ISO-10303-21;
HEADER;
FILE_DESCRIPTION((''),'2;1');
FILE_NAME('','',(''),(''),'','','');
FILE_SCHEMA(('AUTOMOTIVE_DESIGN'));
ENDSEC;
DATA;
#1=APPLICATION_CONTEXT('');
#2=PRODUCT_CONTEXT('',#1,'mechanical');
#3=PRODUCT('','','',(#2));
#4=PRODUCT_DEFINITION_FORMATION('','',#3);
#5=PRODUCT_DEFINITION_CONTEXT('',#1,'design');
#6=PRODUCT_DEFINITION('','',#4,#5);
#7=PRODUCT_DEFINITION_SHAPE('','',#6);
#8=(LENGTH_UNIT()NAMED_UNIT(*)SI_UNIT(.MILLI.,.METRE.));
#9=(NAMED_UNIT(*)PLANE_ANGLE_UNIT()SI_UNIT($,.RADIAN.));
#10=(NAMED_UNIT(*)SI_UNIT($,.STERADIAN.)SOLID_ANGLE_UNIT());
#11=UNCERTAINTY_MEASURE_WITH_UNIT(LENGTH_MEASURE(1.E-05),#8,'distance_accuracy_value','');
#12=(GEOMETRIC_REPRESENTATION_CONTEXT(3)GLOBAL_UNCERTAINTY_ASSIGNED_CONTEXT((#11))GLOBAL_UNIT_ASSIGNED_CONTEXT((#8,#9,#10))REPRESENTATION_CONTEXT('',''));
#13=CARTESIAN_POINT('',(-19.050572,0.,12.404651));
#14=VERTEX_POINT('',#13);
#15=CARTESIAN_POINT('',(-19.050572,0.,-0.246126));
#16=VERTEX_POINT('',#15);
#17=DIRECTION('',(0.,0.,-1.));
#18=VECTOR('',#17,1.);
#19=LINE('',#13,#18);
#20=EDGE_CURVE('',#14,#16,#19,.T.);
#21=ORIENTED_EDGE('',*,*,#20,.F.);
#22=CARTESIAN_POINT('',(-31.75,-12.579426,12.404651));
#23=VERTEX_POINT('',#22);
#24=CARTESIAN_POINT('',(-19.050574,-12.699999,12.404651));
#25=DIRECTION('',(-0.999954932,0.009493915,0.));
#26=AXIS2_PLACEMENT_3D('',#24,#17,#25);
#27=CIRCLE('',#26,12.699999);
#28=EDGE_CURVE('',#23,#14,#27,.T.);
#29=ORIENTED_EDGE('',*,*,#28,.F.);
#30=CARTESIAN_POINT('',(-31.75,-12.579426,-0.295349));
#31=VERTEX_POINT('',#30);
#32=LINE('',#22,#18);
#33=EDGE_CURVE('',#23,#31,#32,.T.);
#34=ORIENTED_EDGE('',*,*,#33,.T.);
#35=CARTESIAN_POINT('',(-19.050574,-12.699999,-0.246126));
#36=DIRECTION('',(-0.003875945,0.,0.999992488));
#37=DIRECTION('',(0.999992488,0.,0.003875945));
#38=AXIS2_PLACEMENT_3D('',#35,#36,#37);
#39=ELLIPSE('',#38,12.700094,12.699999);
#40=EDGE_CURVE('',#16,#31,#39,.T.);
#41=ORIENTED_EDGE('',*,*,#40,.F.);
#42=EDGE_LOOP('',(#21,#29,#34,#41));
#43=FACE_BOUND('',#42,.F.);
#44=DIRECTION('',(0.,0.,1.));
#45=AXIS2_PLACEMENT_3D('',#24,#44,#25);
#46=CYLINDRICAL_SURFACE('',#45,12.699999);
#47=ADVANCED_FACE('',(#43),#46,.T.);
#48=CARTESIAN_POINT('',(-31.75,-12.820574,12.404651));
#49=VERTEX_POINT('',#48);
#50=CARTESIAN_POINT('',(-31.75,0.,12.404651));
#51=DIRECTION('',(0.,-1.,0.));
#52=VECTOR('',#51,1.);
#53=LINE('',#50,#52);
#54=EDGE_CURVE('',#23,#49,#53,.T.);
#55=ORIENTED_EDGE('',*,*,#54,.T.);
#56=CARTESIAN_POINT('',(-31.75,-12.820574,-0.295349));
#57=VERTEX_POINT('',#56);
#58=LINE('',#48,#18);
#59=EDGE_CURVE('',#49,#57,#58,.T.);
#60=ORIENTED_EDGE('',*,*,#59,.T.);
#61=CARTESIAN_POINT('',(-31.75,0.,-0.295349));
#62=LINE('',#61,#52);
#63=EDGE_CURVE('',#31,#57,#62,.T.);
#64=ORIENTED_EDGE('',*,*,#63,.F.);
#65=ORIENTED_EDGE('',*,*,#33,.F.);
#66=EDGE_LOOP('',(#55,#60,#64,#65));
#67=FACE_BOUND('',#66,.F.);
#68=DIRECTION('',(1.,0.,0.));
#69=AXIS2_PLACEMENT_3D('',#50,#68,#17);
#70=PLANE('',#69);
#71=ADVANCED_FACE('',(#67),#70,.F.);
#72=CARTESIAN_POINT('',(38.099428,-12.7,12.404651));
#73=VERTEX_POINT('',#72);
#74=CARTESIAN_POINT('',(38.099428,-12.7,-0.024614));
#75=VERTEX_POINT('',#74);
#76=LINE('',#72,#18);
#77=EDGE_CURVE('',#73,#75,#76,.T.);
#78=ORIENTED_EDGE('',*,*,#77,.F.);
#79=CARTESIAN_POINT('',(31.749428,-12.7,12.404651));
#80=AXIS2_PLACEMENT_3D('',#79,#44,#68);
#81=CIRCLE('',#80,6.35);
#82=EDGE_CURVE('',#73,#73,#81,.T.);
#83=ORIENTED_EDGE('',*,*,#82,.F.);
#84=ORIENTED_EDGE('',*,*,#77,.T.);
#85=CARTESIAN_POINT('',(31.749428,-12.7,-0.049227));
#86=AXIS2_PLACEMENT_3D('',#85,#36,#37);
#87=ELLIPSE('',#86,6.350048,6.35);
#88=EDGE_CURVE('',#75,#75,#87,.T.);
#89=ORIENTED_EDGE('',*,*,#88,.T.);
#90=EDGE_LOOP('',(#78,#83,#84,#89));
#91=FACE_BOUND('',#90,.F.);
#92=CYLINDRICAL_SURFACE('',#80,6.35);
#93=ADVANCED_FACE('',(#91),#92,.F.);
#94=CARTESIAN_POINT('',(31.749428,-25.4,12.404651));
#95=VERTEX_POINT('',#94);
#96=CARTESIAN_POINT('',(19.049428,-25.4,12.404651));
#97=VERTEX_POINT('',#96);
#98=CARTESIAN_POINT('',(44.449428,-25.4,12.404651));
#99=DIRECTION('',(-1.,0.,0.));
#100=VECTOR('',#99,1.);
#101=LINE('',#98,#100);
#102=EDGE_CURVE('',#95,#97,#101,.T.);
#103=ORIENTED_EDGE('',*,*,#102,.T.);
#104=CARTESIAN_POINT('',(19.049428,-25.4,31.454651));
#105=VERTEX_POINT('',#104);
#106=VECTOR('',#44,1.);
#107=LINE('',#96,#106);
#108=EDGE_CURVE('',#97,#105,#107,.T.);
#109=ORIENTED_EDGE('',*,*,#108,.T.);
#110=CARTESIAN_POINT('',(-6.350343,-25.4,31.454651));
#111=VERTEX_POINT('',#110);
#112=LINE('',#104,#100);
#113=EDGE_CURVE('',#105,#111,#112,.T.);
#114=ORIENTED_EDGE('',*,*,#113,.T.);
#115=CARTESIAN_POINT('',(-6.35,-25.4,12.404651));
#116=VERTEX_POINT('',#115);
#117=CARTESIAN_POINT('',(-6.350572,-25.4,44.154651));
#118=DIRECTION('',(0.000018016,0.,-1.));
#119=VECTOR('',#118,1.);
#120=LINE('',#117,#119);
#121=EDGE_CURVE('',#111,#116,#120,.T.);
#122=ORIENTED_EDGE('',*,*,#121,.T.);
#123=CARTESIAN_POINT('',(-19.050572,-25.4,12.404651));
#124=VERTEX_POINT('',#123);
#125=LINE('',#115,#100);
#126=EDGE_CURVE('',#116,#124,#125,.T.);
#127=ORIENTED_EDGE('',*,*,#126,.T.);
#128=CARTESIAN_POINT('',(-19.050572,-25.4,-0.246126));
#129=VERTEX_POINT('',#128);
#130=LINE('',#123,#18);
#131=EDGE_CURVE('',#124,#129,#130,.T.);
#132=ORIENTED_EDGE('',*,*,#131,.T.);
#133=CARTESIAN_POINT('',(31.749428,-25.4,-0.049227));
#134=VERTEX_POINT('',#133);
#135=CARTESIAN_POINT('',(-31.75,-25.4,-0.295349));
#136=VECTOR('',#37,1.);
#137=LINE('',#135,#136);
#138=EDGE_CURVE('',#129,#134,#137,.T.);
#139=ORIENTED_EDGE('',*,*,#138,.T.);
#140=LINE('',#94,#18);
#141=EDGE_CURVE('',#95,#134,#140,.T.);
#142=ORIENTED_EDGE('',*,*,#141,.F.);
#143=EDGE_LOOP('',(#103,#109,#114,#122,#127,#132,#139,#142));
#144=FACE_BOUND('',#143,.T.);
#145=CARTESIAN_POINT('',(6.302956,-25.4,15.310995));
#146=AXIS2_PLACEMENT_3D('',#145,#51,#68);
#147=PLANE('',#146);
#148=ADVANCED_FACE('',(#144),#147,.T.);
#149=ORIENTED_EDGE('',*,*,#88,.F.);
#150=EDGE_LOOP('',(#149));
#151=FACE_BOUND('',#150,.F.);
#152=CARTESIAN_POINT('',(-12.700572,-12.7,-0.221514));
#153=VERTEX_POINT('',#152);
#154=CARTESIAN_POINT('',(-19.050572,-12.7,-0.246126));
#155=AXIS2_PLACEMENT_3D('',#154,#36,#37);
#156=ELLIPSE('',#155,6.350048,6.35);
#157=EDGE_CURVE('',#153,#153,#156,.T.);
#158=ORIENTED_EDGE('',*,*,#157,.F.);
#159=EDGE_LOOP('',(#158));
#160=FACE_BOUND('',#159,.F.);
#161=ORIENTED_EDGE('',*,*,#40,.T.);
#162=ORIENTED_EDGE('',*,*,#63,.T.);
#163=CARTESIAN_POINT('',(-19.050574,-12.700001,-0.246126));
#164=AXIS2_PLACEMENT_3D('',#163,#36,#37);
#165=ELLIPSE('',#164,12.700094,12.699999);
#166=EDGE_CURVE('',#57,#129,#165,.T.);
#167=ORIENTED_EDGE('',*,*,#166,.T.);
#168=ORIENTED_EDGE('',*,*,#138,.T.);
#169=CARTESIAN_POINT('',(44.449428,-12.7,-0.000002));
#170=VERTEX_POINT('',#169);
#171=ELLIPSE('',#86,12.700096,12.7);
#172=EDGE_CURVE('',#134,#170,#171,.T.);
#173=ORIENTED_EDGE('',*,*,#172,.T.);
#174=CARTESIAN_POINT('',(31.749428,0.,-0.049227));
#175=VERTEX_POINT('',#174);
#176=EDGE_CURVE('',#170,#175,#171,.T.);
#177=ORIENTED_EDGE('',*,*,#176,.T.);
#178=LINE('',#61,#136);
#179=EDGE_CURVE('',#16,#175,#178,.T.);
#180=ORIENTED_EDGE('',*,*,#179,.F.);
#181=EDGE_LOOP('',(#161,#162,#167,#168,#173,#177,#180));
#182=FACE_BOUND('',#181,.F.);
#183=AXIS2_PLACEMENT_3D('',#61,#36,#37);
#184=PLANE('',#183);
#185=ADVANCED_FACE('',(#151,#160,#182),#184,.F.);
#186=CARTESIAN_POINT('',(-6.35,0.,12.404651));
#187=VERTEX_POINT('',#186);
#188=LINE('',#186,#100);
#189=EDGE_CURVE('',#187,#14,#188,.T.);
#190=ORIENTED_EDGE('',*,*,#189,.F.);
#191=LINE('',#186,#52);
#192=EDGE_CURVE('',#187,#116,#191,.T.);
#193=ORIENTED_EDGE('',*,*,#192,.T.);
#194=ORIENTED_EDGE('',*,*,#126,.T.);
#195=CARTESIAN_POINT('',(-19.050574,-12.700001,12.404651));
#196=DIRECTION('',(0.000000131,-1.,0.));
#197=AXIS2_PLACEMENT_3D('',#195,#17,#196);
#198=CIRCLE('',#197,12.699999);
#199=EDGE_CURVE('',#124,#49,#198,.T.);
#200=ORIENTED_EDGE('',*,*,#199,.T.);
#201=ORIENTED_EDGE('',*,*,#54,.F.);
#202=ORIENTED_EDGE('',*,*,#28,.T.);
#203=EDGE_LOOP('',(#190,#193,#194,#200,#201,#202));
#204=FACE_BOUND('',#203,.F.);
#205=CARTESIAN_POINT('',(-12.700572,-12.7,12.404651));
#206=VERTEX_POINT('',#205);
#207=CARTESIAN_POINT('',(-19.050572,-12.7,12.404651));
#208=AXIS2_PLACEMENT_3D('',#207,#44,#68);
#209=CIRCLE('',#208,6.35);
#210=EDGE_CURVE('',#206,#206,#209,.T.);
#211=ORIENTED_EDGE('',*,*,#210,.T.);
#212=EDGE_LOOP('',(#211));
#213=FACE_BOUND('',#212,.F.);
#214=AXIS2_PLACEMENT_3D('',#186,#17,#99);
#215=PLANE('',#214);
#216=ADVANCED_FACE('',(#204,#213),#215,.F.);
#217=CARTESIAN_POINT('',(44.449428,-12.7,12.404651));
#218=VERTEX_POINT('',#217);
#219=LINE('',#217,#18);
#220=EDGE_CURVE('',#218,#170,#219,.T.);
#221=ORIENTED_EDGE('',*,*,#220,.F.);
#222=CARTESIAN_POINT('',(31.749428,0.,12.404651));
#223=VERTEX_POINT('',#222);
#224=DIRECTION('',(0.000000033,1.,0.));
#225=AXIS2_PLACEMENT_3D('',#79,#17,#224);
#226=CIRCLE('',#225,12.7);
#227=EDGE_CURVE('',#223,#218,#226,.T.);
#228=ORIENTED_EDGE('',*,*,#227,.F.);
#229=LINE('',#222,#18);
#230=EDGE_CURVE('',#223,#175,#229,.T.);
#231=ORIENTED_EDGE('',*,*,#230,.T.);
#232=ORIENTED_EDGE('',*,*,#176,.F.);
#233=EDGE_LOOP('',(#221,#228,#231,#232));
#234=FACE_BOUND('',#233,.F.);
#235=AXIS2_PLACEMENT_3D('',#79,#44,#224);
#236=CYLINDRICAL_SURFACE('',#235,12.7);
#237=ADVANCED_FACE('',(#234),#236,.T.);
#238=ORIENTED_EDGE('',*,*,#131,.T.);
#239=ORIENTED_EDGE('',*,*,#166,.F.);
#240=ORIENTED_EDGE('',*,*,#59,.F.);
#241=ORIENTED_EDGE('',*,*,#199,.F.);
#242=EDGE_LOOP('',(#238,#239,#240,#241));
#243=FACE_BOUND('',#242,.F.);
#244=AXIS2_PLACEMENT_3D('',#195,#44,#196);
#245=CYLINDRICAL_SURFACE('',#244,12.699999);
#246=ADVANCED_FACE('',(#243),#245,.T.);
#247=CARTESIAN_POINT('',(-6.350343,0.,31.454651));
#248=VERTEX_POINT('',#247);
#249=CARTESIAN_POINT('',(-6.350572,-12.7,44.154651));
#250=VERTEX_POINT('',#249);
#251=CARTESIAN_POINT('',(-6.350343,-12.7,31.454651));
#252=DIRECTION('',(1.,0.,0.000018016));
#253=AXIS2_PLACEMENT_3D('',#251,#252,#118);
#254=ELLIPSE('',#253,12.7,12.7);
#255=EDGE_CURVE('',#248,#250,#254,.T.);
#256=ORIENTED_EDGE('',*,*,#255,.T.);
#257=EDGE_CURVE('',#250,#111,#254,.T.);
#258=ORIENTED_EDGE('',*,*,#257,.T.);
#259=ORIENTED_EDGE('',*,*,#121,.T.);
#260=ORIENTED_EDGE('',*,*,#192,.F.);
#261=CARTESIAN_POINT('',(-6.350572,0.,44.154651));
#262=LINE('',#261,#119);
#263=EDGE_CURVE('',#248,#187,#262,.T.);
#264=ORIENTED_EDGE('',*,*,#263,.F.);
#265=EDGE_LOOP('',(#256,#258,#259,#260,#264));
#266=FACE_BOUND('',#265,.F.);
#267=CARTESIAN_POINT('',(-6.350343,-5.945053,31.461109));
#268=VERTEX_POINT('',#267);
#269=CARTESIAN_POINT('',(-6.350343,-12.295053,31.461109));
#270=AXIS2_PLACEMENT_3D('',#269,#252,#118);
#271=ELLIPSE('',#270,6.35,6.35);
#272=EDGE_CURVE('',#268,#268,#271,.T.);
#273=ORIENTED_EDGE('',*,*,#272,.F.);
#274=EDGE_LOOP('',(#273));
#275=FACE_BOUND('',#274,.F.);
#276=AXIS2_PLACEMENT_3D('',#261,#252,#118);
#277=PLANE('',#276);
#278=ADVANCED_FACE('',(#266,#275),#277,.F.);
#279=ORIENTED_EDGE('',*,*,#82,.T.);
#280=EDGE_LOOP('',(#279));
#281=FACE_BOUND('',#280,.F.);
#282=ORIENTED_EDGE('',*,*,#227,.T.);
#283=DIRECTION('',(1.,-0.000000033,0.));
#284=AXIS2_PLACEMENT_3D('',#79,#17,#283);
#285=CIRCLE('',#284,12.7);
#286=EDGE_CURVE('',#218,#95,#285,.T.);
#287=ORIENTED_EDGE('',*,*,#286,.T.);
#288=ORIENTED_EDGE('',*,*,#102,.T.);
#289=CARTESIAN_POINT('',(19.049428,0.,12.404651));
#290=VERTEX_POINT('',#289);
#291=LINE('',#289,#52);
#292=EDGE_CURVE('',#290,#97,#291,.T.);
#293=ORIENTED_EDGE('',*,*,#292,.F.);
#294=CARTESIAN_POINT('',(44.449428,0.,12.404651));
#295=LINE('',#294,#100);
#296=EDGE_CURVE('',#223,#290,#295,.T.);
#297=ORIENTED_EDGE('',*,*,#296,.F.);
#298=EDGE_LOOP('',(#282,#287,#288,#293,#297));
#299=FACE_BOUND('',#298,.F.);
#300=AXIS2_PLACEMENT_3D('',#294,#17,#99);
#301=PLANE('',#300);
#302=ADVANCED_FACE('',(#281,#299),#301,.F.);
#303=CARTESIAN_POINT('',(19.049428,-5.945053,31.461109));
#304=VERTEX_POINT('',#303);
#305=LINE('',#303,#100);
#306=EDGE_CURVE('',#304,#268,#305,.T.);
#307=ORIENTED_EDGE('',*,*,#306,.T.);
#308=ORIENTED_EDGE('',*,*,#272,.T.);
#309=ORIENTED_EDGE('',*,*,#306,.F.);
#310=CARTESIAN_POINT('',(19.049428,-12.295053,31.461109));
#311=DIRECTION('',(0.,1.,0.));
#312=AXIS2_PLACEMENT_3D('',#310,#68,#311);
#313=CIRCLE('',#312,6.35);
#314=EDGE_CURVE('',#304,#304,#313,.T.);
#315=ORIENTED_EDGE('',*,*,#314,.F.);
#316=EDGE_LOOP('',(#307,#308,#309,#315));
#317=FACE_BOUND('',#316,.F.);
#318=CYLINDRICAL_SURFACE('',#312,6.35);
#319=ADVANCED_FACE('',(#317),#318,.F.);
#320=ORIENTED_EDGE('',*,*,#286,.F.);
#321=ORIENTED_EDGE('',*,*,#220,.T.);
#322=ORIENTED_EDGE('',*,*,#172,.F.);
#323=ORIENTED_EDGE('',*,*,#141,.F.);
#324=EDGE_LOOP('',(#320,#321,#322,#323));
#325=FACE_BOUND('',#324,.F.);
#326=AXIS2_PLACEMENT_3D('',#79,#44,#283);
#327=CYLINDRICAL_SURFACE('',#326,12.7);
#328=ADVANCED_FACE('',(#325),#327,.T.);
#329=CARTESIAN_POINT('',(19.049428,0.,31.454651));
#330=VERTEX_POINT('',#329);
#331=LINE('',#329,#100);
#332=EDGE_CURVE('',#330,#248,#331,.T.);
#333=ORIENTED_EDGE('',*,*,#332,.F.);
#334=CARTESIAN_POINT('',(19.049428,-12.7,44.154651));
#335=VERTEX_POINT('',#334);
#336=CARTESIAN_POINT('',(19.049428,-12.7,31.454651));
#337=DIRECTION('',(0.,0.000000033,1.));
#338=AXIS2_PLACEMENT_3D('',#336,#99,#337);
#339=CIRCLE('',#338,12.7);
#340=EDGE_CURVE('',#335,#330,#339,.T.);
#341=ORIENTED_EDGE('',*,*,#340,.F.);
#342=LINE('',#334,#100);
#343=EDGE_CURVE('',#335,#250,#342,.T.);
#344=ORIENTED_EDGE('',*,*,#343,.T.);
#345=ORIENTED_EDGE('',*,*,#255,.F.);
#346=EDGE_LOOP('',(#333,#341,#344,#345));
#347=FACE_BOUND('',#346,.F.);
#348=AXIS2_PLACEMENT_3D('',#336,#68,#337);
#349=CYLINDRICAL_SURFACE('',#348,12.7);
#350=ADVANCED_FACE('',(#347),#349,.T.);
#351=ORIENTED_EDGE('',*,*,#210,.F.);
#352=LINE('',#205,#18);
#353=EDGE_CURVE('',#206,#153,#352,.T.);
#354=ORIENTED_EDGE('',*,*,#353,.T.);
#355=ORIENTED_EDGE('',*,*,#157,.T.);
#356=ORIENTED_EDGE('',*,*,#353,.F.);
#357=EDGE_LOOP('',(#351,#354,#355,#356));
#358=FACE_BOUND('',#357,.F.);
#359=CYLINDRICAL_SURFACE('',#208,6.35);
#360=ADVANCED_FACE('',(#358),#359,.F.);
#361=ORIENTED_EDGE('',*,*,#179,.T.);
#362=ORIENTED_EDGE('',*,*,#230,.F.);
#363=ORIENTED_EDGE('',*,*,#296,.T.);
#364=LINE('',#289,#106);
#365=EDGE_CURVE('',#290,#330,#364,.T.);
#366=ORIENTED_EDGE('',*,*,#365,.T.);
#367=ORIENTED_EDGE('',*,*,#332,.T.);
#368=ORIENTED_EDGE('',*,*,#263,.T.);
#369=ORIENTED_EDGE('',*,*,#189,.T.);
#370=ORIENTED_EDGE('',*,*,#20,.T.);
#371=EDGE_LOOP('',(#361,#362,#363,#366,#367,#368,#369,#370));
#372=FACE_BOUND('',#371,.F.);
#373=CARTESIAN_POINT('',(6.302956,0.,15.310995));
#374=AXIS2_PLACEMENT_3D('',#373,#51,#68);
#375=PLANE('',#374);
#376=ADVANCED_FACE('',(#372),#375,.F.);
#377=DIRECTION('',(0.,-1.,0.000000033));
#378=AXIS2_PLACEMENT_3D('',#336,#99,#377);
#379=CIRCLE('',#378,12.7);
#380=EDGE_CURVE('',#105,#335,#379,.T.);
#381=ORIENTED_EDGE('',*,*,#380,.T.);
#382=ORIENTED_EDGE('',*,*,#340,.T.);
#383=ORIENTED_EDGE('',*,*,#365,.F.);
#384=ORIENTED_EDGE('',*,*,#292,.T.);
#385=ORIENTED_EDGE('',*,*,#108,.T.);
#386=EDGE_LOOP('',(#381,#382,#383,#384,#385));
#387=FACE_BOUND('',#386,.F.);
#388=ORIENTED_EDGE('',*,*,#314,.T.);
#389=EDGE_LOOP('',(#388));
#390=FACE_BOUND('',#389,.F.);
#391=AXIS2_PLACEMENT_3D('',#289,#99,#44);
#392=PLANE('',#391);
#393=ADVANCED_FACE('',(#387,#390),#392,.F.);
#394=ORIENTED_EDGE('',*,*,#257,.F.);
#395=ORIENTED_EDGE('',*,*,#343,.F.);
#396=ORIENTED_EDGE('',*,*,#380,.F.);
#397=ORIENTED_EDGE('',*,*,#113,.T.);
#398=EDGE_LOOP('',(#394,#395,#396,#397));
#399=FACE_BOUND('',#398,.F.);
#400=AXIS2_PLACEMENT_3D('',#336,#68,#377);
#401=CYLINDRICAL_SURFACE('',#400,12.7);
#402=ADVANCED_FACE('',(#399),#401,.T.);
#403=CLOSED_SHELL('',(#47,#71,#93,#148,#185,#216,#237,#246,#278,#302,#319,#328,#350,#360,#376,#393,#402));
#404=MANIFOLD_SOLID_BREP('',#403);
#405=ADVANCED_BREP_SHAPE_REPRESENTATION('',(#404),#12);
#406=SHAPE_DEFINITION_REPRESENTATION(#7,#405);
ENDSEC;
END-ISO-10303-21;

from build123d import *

# Parameters (mm, degrees)
F1_DEPTH = 25.4
F2_R     = 6.35
F3_DEPTH = 25.4
F4_R     = 6.35
F5_DEPTH = 25.4
F6_R     = 6.35
F7_DEPTH = 25.4


with BuildPart() as f1:
    # F0 (on Front) → F1 (new body)
    with BuildSketch(Plane.XZ):
        Polygon((-31.75, 12.404651), (-31.75, -0.295349), (44.449428, -2e-06), (44.449428, 12.404651), (19.049428, 12.404651), (19.049428, 44.154651), (-6.350572, 44.154651), (-6.35, 12.404651), align=None)
    extrude(amount=F1_DEPTH)

    # F2 (on face) → F3 (cut)
    with BuildSketch(Plane.XY.offset(12.404651)):
        with Locations((-19.050572, -12.7)):
            Circle(F2_R)
        with BuildLine():
            ThreePointArc((-31.75, -12.579426), (-27.988098, -3.677215), (-19.050572, 0))
            Line((-19.050572, 0), (-31.75, 0))
            Line((-31.75, 0), (-31.75, -12.579426))
        make_face()
        with BuildLine():
            ThreePointArc((-19.050572, -25.4), (-27.988098, -21.722785), (-31.75, -12.820574))
            Line((-31.75, -12.820574), (-31.75, -25.4))
            Line((-31.75, -25.4), (-19.050572, -25.4))
        make_face()
    extrude(amount=-F3_DEPTH, mode=Mode.SUBTRACT)

    # F4 (on face) → F5 (cut)
    with BuildSketch(Plane.XY.offset(12.404651)):
        with Locations((31.749428, -12.7)):
            Circle(F4_R)
        with BuildLine():
            ThreePointArc((31.749428, 0), (40.729684, -3.719744), (44.449428, -12.7))
            Line((44.449428, -12.7), (44.449428, 0))
            Line((44.449428, 0), (31.749428, 0))
        make_face()
        with BuildLine():
            ThreePointArc((44.449428, -12.7), (40.729684, -21.680256), (31.749428, -25.4))
            Line((31.749428, -25.4), (44.449428, -25.4))
            Line((44.449428, -25.4), (44.449428, -12.7))
        make_face()
    extrude(amount=-F5_DEPTH, mode=Mode.SUBTRACT)

    # F6 (on face) → F7 (cut)
    with BuildSketch(Plane.YZ.offset(19.049428)):
        with Locations((-12.295053, 31.461109)):
            Circle(F6_R)
        with BuildLine():
            ThreePointArc((-12.7, 44.154651), (-3.719744, 40.434907), (0, 31.454651))
            Line((0, 31.454651), (0, 44.154651))
            Line((0, 44.154651), (-12.7, 44.154651))
        make_face()
        with BuildLine():
            ThreePointArc((-25.4, 31.454651), (-21.680256, 40.434907), (-12.7, 44.154651))
            Line((-12.7, 44.154651), (-25.4, 44.154651))
            Line((-25.4, 44.154651), (-25.4, 31.454651))
        make_face()
    extrude(amount=-F7_DEPTH, mode=Mode.SUBTRACT)


solid = f1.part
